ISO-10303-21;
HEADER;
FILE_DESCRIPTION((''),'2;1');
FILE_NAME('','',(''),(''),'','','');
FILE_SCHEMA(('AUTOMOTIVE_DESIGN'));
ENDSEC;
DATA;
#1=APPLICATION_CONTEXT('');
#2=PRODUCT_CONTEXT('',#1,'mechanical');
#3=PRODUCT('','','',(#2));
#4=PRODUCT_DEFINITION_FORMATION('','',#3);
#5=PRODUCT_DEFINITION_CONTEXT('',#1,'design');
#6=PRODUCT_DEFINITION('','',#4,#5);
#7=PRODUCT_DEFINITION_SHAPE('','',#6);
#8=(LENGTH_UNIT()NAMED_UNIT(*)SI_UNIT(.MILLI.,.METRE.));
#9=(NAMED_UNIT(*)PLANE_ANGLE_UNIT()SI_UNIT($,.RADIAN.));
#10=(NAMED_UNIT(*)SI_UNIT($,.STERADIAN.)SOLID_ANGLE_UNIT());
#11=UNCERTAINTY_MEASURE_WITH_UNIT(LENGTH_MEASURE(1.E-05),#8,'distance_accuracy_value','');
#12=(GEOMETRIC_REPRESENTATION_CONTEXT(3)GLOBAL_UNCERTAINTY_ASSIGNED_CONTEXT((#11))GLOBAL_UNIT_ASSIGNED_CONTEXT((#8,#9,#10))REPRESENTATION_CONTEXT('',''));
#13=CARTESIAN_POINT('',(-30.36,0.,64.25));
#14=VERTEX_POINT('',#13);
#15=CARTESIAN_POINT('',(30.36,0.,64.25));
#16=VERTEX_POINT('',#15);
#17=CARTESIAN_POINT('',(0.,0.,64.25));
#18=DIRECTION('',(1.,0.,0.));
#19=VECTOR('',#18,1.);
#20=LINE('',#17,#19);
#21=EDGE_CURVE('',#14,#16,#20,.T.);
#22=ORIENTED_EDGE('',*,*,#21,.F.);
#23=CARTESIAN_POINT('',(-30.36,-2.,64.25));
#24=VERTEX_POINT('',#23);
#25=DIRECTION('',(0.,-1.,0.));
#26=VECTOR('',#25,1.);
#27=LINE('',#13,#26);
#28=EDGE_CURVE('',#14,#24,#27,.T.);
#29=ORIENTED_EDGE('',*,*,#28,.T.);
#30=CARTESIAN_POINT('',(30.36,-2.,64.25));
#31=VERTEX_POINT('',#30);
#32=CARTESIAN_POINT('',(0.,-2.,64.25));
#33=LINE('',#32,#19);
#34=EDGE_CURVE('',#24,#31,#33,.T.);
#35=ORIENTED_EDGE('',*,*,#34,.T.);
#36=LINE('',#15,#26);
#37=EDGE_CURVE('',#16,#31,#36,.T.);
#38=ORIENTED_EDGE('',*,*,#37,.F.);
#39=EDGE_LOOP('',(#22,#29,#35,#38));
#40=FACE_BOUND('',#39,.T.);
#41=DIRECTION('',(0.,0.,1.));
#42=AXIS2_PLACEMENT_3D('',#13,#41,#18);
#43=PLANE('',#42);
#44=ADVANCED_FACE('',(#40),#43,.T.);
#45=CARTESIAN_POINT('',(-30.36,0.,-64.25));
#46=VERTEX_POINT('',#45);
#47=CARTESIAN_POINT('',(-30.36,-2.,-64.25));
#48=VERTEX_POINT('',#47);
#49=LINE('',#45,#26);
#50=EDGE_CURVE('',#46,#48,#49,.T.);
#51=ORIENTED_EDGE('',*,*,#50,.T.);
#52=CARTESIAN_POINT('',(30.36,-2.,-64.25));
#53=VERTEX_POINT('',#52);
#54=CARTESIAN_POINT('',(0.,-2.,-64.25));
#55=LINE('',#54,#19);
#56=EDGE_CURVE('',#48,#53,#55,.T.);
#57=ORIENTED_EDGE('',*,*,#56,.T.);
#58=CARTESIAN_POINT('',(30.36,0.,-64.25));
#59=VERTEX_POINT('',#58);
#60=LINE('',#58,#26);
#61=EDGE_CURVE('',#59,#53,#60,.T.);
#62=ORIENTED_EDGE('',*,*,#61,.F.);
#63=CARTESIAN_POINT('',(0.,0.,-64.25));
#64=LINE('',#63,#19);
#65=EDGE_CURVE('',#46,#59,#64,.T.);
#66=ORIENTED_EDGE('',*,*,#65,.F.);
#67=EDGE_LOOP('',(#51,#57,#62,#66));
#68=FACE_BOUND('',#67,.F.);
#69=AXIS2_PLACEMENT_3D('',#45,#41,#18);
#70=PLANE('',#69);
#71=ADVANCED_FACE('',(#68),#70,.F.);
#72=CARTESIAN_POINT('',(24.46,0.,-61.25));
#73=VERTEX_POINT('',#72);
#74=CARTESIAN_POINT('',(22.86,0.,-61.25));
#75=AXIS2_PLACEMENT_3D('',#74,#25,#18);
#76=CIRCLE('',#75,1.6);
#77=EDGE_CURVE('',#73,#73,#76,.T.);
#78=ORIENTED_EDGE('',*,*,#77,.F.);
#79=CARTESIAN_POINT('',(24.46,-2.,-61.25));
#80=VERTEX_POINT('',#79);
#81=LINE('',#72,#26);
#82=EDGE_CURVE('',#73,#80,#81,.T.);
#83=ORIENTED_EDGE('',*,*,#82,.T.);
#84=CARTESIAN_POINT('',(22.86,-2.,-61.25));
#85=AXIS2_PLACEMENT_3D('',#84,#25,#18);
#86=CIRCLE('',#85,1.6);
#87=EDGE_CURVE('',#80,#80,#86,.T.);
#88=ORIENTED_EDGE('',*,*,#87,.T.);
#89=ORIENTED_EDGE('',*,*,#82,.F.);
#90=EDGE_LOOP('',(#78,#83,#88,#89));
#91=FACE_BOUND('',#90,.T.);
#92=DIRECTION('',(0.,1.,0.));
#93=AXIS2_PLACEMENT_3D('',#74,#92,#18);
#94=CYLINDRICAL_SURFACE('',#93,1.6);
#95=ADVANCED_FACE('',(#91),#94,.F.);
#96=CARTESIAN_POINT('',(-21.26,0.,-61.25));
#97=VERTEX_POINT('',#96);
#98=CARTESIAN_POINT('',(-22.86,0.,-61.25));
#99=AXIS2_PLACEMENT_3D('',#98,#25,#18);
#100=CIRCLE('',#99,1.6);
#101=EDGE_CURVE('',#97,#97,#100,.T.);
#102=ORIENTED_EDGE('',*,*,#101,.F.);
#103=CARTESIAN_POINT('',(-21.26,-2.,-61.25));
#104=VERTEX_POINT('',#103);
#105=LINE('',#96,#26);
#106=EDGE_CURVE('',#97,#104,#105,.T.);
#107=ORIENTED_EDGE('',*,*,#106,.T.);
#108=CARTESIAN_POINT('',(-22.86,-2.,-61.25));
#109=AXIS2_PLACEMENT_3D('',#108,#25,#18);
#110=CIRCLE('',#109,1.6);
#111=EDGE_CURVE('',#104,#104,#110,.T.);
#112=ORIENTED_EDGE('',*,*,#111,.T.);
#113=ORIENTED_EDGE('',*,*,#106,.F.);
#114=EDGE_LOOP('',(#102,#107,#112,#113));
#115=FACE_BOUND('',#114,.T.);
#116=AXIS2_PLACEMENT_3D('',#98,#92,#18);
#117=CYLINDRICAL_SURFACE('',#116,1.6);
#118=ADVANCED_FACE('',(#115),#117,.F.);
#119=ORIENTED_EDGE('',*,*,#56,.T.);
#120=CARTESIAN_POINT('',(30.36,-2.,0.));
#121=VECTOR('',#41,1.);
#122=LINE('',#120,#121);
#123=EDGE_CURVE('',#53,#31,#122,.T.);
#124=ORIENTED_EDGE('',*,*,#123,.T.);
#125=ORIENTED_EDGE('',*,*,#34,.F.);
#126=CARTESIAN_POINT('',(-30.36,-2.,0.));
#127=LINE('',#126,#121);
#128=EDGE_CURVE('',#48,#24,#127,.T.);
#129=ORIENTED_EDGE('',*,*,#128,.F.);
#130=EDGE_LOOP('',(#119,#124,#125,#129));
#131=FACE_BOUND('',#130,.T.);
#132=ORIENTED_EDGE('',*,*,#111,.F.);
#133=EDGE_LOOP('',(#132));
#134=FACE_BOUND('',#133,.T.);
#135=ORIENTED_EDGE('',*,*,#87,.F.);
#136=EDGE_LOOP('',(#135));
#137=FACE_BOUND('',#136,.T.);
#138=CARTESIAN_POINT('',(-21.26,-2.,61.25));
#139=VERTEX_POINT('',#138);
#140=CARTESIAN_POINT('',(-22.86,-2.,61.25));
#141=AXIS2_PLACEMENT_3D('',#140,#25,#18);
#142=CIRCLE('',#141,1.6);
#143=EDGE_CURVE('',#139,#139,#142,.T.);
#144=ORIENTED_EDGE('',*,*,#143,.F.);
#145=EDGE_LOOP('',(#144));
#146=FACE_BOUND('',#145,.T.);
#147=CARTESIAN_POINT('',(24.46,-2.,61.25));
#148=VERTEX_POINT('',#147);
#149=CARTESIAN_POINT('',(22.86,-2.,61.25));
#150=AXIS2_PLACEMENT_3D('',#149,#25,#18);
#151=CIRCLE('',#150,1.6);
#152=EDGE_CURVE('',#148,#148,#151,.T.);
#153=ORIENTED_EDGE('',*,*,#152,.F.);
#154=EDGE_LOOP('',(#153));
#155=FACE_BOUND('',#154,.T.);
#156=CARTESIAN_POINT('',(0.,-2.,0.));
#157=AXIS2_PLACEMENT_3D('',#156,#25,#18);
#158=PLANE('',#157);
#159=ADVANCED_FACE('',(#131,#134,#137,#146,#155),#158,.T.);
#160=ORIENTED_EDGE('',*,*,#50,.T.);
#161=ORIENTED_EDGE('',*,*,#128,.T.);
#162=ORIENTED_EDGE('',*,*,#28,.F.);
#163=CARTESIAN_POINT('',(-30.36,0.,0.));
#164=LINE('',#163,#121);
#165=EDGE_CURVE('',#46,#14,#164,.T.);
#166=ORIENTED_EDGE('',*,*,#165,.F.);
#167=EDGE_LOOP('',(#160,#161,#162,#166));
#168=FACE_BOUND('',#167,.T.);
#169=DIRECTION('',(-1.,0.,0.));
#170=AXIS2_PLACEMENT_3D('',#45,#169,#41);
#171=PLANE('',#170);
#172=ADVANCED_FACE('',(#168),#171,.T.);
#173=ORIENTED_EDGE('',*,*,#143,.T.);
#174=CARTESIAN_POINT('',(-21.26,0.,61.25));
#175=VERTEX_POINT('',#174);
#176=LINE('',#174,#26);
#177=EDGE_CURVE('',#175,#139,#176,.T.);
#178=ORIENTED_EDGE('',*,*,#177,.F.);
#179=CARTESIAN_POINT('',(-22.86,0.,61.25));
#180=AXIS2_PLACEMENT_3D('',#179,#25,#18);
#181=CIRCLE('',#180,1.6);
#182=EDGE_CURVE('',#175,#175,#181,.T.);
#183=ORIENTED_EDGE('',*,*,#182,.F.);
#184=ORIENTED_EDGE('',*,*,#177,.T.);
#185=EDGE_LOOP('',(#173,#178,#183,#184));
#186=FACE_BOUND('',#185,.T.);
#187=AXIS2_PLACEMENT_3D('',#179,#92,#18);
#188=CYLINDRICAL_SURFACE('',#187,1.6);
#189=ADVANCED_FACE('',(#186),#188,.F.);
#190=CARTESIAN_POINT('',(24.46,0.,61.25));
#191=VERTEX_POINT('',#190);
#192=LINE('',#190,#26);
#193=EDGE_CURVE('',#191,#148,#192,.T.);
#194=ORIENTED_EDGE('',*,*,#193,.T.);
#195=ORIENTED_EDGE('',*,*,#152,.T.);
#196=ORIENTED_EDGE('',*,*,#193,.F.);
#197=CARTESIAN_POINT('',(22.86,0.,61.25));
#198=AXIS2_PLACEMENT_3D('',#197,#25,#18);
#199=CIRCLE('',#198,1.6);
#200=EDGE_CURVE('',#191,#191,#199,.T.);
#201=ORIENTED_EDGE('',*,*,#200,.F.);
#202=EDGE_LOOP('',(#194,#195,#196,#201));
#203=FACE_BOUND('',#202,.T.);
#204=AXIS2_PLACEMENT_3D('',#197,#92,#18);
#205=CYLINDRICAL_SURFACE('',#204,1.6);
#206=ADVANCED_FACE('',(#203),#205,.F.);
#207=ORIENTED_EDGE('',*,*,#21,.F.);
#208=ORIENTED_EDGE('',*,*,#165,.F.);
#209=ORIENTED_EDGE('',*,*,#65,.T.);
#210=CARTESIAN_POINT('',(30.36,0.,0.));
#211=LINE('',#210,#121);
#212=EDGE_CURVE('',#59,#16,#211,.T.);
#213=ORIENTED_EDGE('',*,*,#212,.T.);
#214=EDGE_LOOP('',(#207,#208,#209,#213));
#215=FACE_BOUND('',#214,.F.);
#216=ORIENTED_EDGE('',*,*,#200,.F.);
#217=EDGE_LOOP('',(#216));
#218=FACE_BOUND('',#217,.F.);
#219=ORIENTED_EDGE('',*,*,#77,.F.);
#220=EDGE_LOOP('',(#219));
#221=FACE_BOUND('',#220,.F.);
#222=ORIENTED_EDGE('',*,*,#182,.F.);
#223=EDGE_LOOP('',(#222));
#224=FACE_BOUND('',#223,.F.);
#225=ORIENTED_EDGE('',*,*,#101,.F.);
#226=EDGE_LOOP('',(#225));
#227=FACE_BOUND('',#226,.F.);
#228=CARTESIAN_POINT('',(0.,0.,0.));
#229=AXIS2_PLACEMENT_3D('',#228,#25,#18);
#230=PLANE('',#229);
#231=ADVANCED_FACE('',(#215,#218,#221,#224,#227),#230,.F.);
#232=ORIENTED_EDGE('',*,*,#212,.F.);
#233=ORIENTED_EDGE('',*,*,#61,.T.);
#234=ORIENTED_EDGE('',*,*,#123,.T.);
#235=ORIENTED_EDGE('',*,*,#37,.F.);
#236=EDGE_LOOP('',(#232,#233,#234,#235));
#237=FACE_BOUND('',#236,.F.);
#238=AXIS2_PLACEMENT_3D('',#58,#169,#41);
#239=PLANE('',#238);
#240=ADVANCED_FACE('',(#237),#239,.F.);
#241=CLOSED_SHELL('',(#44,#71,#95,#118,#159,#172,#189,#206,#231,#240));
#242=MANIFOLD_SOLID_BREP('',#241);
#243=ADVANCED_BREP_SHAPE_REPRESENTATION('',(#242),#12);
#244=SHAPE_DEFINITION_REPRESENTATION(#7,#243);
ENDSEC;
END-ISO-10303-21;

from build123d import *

# Parameters (mm, degrees)
SKETCH_W  = 60.72
SKETCH_H  = 128.5
SKETCH_R  = 1.6
PAD_DEPTH = 2


with BuildPart() as part:
    # Sketch → Pad (new body)
    with BuildSketch(Plane.XZ):
        Rectangle(SKETCH_W, SKETCH_H)
        with Locations((-22.86, 61.25)):
            Circle(SKETCH_R, mode=Mode.SUBTRACT)
        with Locations((22.86, 61.25)):
            Circle(SKETCH_R, mode=Mode.SUBTRACT)
        with Locations((22.86, -61.25)):
            Circle(SKETCH_R, mode=Mode.SUBTRACT)
        with Locations((-22.86, -61.25)):
            Circle(SKETCH_R, mode=Mode.SUBTRACT)
    extrude(amount=PAD_DEPTH)


solid = part.part
